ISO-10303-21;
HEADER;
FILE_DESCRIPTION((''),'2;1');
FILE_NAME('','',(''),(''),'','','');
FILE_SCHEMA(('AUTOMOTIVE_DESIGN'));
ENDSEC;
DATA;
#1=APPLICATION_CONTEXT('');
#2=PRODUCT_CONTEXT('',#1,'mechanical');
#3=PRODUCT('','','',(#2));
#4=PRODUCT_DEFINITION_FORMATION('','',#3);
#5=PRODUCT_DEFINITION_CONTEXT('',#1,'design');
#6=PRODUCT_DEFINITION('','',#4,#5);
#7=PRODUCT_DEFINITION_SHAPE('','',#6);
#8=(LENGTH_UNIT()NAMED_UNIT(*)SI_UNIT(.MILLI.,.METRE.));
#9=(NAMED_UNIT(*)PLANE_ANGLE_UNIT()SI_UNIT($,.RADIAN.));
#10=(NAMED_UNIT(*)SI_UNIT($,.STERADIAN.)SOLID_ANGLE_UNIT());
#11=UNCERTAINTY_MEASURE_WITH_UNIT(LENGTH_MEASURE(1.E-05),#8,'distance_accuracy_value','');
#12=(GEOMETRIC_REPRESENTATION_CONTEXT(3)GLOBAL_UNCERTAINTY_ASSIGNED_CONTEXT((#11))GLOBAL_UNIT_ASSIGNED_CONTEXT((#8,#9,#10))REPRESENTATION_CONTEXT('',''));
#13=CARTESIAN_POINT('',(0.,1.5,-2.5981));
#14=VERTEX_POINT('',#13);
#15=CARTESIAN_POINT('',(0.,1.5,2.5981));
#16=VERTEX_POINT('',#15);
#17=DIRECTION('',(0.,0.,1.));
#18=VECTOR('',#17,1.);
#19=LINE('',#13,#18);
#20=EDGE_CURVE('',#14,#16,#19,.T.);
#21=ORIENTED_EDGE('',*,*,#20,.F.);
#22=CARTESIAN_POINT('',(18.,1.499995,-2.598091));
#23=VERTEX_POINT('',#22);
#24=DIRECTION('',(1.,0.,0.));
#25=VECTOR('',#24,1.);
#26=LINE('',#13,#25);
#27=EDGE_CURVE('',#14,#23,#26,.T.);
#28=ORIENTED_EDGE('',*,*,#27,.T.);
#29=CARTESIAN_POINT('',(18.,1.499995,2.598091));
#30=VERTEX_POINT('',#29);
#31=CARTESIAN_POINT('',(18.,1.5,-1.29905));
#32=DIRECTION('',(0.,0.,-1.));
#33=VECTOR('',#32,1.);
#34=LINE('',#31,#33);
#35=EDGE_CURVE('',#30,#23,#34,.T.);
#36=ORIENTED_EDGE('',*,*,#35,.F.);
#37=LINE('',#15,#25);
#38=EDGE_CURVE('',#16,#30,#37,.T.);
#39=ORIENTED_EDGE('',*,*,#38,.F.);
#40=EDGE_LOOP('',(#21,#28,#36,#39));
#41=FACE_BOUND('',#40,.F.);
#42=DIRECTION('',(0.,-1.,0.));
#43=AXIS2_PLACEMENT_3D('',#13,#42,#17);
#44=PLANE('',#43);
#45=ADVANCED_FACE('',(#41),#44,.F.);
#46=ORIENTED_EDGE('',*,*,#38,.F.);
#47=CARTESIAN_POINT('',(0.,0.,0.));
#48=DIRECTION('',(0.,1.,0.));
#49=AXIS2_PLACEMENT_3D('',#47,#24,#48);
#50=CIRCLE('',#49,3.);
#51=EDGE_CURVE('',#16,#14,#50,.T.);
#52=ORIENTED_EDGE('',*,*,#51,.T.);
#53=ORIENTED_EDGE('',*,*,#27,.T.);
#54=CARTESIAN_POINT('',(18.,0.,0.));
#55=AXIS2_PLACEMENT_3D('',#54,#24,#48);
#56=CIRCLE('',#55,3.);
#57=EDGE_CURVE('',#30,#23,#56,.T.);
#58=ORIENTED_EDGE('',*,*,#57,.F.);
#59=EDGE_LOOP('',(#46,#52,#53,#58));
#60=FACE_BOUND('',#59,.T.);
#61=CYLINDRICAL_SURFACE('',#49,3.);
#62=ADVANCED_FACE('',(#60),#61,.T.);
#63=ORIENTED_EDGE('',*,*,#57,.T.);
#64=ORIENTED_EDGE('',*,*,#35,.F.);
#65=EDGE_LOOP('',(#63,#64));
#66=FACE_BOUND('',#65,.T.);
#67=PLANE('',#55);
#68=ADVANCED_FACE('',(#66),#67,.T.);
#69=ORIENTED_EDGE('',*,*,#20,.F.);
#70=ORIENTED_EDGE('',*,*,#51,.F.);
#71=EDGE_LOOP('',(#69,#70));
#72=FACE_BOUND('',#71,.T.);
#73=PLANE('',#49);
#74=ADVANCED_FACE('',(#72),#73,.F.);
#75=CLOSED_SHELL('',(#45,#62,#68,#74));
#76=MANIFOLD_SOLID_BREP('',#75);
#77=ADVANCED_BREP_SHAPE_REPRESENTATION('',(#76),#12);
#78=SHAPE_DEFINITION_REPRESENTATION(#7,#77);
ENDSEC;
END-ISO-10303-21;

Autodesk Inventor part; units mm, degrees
ref_plane "Start Plane" through (0, 0, 0) normal (1, 0, 0) x (0, 1, 0)
ref_plane "XZ Plane" through (0, 0, 0) normal (0, 1, 0) x (-1, 0, 0)
ref_plane "XY Plane" through (0, 0, 0) normal (0, 0, 1) x (1, 0, 0)
sketch "Main Sketch" plane through (0, 0, 0) normal (0, 0, 1) x (1, 0, 0)
  line L0 (0, 0) -> (18, 0)
  line L1 (0, 0) -> (0, 3)
  line L2 (18, 3) -> (18, 0)
  line L3 (0, 3) -> (18, 3)
  dimension "d3" = 6
revolve "Revolution1" add sketch "Main Sketch" angle 360 about axis through (0, 0, 0) along (1, 0, 0)
sketch "Sketch3" plane through (0, 0, 0) normal (-1, 0, 0) x (0, 0, 1)
  circle A0 centre (0, 0) radius 3 projected
  line L0 (-2.5981, 1.5) -> (2.5981, 1.5)
  circle A1 centre (0, 0) radius 3
  dimension "d8" = 1.5
extrude "Extrusion1" cut sketch "Sketch3" against normal through all contours L0 A0 picked at (0.7274, 1.6862)
equation "\"Length\" = 18"
properties part number "Shaft" material "Steel"
